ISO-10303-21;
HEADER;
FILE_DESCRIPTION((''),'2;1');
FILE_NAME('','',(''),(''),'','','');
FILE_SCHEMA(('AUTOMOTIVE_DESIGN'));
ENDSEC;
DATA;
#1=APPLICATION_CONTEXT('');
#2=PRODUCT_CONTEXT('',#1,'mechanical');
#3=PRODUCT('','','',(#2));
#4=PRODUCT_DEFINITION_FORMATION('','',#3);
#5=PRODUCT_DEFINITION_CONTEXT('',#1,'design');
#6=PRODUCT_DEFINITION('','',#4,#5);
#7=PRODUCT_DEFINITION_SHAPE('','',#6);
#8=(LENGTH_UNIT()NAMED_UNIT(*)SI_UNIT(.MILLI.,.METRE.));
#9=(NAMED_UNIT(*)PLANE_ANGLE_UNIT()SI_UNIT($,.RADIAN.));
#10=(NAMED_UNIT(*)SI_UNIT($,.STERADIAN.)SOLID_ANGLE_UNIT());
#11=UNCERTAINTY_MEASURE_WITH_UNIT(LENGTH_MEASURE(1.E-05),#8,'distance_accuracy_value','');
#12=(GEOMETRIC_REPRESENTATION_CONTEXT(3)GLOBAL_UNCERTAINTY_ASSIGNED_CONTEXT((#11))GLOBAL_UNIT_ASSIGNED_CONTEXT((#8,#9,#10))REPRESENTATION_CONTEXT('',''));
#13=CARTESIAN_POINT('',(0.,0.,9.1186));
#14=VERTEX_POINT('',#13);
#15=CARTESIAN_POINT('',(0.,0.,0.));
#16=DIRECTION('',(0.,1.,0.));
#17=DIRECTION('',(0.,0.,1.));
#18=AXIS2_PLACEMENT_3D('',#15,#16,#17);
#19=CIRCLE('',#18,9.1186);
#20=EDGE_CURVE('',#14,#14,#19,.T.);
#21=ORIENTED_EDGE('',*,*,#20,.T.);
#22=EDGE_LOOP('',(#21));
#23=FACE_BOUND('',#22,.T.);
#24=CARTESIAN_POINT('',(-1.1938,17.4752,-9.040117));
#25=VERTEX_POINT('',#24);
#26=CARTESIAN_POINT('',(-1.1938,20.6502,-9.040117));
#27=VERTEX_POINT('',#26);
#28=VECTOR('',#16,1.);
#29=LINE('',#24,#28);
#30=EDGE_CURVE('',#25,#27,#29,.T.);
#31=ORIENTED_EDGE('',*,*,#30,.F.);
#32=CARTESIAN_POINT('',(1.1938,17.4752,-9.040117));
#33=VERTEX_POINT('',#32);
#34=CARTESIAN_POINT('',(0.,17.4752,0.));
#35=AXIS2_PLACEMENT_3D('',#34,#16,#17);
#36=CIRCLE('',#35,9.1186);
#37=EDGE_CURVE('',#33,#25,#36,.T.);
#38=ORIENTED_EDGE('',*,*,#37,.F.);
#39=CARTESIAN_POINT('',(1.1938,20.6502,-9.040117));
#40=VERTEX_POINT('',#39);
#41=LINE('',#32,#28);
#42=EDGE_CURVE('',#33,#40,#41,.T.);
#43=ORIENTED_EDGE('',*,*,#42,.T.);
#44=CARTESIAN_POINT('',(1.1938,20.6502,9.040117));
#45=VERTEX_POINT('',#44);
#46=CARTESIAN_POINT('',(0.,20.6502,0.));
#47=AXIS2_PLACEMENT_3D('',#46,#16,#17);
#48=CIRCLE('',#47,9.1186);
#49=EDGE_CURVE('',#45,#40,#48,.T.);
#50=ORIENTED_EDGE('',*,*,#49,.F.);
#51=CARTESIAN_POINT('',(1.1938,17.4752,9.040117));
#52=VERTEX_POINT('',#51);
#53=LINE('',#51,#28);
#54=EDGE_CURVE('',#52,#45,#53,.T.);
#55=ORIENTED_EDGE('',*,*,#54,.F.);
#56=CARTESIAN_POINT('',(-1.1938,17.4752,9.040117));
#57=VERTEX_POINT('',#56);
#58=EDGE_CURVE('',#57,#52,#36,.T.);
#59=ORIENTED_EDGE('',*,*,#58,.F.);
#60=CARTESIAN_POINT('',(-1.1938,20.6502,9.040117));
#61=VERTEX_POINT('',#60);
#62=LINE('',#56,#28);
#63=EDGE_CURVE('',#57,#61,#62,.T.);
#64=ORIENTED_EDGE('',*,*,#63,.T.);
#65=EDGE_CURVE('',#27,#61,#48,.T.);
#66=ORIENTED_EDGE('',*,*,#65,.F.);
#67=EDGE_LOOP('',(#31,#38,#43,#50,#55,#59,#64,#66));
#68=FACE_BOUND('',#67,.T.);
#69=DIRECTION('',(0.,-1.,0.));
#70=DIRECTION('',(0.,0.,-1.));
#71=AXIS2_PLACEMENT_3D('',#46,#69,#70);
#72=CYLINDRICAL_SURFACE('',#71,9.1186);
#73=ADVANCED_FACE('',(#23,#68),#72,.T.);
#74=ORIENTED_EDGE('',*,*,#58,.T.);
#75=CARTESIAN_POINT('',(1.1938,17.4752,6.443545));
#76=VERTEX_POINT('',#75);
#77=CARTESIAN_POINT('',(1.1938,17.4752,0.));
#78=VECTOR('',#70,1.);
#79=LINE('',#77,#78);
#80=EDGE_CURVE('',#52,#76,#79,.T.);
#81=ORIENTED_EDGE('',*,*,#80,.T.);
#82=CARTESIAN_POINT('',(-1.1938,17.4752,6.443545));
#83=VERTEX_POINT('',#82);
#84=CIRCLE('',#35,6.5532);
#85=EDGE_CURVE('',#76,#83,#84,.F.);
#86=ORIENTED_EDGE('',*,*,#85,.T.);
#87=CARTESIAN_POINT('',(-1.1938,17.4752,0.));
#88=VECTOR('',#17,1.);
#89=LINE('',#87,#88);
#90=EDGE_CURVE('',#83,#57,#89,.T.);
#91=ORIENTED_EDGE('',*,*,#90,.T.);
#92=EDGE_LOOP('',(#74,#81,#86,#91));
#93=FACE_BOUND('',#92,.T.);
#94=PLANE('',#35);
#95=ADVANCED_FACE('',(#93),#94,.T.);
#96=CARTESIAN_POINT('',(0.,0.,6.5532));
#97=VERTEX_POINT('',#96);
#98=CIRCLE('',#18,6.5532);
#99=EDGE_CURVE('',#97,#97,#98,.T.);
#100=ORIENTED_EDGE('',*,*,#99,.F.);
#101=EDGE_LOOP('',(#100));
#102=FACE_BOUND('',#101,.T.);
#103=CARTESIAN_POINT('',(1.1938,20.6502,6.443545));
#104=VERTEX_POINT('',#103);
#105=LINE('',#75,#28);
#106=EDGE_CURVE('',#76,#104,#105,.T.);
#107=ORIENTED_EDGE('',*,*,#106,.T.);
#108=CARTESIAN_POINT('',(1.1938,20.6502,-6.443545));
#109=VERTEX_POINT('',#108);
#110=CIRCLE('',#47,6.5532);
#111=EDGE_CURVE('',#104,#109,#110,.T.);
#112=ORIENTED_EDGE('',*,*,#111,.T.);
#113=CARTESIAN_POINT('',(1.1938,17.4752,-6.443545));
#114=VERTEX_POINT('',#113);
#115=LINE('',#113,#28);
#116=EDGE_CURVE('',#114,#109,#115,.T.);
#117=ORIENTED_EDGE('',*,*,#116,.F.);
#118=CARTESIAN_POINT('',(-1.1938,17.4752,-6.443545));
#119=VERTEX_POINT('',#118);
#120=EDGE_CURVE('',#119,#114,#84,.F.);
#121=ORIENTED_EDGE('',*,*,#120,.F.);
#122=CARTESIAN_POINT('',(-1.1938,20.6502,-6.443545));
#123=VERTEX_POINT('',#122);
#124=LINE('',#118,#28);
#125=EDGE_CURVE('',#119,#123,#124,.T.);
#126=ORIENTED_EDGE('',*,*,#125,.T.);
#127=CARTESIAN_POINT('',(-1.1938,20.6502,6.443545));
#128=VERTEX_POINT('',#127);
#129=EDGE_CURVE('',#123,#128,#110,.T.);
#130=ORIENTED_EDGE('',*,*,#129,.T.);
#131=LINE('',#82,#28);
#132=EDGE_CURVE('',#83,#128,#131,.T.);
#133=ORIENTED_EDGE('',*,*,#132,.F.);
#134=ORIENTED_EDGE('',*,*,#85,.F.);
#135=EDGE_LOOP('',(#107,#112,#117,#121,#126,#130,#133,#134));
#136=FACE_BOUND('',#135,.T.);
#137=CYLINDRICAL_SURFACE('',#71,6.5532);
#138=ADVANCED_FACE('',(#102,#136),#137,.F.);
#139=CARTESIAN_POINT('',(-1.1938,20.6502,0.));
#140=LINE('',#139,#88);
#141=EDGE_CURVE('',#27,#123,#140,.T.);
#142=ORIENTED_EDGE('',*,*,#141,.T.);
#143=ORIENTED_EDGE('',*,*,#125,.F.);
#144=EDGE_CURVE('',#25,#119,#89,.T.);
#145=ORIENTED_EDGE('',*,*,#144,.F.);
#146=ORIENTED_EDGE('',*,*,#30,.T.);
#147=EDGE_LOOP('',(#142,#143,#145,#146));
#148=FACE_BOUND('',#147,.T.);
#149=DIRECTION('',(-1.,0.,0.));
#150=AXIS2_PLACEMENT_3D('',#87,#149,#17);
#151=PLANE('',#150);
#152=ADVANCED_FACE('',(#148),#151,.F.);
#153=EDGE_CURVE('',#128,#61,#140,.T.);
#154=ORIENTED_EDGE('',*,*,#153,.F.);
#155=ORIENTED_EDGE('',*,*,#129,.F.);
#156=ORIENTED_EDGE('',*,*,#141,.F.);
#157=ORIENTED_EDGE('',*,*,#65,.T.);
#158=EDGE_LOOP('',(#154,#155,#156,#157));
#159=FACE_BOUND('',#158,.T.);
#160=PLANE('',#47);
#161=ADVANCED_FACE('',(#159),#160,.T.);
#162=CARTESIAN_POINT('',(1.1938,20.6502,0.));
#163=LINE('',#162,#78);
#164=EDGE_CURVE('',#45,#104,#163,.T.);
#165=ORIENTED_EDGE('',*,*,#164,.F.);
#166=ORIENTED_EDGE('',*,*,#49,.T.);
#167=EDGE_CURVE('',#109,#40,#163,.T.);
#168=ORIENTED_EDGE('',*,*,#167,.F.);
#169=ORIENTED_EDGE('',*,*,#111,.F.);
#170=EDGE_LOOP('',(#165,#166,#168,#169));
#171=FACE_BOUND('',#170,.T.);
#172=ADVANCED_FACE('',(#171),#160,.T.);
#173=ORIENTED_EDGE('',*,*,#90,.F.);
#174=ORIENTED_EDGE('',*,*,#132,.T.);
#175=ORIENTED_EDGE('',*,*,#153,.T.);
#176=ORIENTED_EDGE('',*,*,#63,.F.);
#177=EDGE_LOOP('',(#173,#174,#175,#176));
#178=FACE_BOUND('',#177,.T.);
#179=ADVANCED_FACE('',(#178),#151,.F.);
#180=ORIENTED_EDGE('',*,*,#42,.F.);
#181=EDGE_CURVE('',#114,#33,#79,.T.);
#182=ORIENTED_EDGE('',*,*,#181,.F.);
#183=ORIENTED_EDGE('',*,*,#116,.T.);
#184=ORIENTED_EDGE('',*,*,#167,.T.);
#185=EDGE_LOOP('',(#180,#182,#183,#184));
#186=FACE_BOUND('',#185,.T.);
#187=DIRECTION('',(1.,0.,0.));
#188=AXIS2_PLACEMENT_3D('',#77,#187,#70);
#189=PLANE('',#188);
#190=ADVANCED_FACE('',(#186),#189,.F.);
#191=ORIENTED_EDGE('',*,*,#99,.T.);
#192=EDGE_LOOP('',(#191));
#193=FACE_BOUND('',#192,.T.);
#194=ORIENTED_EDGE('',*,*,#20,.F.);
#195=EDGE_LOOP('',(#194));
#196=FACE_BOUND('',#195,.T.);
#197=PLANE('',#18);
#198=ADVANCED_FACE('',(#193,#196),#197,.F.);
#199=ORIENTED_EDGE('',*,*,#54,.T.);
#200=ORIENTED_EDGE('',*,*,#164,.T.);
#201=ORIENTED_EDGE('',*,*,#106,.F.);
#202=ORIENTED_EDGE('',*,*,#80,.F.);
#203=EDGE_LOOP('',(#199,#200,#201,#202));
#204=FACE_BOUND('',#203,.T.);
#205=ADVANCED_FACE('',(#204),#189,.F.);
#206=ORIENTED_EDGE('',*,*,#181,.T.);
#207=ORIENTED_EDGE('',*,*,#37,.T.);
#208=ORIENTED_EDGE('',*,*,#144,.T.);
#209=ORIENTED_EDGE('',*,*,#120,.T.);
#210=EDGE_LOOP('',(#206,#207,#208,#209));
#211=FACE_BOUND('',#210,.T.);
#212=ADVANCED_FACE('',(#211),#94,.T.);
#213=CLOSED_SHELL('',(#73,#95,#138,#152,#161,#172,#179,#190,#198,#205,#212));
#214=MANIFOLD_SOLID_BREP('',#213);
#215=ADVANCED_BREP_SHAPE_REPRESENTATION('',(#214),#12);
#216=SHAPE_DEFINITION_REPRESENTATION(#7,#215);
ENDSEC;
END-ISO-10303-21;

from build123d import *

# Parameters (mm, degrees)
SKETCH2_R               = 9.1186
SKETCH2_R_2             = 6.5532
BOSS_EXTRUDE1_DEPTH     = 20.6502
CUT_EXTRUDE1_DEPTH      = 1
CUT_EXTRUDE1_DEPTH_BACK = 3.175


with BuildPart() as part:
    # Sketch2 → Boss-Extrude1 (new body)
    with BuildSketch(Plane(origin=(0, 0, 0), x_dir=(1, 0, 0), z_dir=(0, 1, 0))):
        Circle(SKETCH2_R)
        Circle(SKETCH2_R_2, mode=Mode.SUBTRACT)
    extrude(amount=BOSS_EXTRUDE1_DEPTH)

    # Sketch3 → Cut-Extrude1 (cut, two sides)
    with BuildSketch(Plane(origin=(0, 20.6502, 0), x_dir=(1, 0, 0), z_dir=(0, 1, 0))) as cut_extrude1_sk:
        with BuildLine():
            ThreePointArc((-1.1938, 6.443544972), (0, 6.5532), (1.1938, 6.443544972))
            Line((1.1938, 6.443544972), (1.1938, 9.040116566))
            ThreePointArc((1.1938, 9.040116566), (0, 9.1186), (-1.1938, 9.040116566))
            Line((-1.1938, 9.040116566), (-1.1938, 6.443544972))
        make_face()
        with BuildLine():
            Line((1.1938, -9.040116566), (1.1938, -6.443544972))
            ThreePointArc((1.1938, -6.443544972), (0, -6.5532), (-1.1938, -6.443544972))
            Line((-1.1938, -6.443544972), (-1.1938, -9.040116566))
            ThreePointArc((-1.1938, -9.040116566), (0, -9.1186), (1.1938, -9.040116566))
        make_face()
    extrude(amount=CUT_EXTRUDE1_DEPTH, mode=Mode.SUBTRACT)
    extrude(cut_extrude1_sk.sketch, amount=-CUT_EXTRUDE1_DEPTH_BACK, mode=Mode.SUBTRACT)


solid = part.part
